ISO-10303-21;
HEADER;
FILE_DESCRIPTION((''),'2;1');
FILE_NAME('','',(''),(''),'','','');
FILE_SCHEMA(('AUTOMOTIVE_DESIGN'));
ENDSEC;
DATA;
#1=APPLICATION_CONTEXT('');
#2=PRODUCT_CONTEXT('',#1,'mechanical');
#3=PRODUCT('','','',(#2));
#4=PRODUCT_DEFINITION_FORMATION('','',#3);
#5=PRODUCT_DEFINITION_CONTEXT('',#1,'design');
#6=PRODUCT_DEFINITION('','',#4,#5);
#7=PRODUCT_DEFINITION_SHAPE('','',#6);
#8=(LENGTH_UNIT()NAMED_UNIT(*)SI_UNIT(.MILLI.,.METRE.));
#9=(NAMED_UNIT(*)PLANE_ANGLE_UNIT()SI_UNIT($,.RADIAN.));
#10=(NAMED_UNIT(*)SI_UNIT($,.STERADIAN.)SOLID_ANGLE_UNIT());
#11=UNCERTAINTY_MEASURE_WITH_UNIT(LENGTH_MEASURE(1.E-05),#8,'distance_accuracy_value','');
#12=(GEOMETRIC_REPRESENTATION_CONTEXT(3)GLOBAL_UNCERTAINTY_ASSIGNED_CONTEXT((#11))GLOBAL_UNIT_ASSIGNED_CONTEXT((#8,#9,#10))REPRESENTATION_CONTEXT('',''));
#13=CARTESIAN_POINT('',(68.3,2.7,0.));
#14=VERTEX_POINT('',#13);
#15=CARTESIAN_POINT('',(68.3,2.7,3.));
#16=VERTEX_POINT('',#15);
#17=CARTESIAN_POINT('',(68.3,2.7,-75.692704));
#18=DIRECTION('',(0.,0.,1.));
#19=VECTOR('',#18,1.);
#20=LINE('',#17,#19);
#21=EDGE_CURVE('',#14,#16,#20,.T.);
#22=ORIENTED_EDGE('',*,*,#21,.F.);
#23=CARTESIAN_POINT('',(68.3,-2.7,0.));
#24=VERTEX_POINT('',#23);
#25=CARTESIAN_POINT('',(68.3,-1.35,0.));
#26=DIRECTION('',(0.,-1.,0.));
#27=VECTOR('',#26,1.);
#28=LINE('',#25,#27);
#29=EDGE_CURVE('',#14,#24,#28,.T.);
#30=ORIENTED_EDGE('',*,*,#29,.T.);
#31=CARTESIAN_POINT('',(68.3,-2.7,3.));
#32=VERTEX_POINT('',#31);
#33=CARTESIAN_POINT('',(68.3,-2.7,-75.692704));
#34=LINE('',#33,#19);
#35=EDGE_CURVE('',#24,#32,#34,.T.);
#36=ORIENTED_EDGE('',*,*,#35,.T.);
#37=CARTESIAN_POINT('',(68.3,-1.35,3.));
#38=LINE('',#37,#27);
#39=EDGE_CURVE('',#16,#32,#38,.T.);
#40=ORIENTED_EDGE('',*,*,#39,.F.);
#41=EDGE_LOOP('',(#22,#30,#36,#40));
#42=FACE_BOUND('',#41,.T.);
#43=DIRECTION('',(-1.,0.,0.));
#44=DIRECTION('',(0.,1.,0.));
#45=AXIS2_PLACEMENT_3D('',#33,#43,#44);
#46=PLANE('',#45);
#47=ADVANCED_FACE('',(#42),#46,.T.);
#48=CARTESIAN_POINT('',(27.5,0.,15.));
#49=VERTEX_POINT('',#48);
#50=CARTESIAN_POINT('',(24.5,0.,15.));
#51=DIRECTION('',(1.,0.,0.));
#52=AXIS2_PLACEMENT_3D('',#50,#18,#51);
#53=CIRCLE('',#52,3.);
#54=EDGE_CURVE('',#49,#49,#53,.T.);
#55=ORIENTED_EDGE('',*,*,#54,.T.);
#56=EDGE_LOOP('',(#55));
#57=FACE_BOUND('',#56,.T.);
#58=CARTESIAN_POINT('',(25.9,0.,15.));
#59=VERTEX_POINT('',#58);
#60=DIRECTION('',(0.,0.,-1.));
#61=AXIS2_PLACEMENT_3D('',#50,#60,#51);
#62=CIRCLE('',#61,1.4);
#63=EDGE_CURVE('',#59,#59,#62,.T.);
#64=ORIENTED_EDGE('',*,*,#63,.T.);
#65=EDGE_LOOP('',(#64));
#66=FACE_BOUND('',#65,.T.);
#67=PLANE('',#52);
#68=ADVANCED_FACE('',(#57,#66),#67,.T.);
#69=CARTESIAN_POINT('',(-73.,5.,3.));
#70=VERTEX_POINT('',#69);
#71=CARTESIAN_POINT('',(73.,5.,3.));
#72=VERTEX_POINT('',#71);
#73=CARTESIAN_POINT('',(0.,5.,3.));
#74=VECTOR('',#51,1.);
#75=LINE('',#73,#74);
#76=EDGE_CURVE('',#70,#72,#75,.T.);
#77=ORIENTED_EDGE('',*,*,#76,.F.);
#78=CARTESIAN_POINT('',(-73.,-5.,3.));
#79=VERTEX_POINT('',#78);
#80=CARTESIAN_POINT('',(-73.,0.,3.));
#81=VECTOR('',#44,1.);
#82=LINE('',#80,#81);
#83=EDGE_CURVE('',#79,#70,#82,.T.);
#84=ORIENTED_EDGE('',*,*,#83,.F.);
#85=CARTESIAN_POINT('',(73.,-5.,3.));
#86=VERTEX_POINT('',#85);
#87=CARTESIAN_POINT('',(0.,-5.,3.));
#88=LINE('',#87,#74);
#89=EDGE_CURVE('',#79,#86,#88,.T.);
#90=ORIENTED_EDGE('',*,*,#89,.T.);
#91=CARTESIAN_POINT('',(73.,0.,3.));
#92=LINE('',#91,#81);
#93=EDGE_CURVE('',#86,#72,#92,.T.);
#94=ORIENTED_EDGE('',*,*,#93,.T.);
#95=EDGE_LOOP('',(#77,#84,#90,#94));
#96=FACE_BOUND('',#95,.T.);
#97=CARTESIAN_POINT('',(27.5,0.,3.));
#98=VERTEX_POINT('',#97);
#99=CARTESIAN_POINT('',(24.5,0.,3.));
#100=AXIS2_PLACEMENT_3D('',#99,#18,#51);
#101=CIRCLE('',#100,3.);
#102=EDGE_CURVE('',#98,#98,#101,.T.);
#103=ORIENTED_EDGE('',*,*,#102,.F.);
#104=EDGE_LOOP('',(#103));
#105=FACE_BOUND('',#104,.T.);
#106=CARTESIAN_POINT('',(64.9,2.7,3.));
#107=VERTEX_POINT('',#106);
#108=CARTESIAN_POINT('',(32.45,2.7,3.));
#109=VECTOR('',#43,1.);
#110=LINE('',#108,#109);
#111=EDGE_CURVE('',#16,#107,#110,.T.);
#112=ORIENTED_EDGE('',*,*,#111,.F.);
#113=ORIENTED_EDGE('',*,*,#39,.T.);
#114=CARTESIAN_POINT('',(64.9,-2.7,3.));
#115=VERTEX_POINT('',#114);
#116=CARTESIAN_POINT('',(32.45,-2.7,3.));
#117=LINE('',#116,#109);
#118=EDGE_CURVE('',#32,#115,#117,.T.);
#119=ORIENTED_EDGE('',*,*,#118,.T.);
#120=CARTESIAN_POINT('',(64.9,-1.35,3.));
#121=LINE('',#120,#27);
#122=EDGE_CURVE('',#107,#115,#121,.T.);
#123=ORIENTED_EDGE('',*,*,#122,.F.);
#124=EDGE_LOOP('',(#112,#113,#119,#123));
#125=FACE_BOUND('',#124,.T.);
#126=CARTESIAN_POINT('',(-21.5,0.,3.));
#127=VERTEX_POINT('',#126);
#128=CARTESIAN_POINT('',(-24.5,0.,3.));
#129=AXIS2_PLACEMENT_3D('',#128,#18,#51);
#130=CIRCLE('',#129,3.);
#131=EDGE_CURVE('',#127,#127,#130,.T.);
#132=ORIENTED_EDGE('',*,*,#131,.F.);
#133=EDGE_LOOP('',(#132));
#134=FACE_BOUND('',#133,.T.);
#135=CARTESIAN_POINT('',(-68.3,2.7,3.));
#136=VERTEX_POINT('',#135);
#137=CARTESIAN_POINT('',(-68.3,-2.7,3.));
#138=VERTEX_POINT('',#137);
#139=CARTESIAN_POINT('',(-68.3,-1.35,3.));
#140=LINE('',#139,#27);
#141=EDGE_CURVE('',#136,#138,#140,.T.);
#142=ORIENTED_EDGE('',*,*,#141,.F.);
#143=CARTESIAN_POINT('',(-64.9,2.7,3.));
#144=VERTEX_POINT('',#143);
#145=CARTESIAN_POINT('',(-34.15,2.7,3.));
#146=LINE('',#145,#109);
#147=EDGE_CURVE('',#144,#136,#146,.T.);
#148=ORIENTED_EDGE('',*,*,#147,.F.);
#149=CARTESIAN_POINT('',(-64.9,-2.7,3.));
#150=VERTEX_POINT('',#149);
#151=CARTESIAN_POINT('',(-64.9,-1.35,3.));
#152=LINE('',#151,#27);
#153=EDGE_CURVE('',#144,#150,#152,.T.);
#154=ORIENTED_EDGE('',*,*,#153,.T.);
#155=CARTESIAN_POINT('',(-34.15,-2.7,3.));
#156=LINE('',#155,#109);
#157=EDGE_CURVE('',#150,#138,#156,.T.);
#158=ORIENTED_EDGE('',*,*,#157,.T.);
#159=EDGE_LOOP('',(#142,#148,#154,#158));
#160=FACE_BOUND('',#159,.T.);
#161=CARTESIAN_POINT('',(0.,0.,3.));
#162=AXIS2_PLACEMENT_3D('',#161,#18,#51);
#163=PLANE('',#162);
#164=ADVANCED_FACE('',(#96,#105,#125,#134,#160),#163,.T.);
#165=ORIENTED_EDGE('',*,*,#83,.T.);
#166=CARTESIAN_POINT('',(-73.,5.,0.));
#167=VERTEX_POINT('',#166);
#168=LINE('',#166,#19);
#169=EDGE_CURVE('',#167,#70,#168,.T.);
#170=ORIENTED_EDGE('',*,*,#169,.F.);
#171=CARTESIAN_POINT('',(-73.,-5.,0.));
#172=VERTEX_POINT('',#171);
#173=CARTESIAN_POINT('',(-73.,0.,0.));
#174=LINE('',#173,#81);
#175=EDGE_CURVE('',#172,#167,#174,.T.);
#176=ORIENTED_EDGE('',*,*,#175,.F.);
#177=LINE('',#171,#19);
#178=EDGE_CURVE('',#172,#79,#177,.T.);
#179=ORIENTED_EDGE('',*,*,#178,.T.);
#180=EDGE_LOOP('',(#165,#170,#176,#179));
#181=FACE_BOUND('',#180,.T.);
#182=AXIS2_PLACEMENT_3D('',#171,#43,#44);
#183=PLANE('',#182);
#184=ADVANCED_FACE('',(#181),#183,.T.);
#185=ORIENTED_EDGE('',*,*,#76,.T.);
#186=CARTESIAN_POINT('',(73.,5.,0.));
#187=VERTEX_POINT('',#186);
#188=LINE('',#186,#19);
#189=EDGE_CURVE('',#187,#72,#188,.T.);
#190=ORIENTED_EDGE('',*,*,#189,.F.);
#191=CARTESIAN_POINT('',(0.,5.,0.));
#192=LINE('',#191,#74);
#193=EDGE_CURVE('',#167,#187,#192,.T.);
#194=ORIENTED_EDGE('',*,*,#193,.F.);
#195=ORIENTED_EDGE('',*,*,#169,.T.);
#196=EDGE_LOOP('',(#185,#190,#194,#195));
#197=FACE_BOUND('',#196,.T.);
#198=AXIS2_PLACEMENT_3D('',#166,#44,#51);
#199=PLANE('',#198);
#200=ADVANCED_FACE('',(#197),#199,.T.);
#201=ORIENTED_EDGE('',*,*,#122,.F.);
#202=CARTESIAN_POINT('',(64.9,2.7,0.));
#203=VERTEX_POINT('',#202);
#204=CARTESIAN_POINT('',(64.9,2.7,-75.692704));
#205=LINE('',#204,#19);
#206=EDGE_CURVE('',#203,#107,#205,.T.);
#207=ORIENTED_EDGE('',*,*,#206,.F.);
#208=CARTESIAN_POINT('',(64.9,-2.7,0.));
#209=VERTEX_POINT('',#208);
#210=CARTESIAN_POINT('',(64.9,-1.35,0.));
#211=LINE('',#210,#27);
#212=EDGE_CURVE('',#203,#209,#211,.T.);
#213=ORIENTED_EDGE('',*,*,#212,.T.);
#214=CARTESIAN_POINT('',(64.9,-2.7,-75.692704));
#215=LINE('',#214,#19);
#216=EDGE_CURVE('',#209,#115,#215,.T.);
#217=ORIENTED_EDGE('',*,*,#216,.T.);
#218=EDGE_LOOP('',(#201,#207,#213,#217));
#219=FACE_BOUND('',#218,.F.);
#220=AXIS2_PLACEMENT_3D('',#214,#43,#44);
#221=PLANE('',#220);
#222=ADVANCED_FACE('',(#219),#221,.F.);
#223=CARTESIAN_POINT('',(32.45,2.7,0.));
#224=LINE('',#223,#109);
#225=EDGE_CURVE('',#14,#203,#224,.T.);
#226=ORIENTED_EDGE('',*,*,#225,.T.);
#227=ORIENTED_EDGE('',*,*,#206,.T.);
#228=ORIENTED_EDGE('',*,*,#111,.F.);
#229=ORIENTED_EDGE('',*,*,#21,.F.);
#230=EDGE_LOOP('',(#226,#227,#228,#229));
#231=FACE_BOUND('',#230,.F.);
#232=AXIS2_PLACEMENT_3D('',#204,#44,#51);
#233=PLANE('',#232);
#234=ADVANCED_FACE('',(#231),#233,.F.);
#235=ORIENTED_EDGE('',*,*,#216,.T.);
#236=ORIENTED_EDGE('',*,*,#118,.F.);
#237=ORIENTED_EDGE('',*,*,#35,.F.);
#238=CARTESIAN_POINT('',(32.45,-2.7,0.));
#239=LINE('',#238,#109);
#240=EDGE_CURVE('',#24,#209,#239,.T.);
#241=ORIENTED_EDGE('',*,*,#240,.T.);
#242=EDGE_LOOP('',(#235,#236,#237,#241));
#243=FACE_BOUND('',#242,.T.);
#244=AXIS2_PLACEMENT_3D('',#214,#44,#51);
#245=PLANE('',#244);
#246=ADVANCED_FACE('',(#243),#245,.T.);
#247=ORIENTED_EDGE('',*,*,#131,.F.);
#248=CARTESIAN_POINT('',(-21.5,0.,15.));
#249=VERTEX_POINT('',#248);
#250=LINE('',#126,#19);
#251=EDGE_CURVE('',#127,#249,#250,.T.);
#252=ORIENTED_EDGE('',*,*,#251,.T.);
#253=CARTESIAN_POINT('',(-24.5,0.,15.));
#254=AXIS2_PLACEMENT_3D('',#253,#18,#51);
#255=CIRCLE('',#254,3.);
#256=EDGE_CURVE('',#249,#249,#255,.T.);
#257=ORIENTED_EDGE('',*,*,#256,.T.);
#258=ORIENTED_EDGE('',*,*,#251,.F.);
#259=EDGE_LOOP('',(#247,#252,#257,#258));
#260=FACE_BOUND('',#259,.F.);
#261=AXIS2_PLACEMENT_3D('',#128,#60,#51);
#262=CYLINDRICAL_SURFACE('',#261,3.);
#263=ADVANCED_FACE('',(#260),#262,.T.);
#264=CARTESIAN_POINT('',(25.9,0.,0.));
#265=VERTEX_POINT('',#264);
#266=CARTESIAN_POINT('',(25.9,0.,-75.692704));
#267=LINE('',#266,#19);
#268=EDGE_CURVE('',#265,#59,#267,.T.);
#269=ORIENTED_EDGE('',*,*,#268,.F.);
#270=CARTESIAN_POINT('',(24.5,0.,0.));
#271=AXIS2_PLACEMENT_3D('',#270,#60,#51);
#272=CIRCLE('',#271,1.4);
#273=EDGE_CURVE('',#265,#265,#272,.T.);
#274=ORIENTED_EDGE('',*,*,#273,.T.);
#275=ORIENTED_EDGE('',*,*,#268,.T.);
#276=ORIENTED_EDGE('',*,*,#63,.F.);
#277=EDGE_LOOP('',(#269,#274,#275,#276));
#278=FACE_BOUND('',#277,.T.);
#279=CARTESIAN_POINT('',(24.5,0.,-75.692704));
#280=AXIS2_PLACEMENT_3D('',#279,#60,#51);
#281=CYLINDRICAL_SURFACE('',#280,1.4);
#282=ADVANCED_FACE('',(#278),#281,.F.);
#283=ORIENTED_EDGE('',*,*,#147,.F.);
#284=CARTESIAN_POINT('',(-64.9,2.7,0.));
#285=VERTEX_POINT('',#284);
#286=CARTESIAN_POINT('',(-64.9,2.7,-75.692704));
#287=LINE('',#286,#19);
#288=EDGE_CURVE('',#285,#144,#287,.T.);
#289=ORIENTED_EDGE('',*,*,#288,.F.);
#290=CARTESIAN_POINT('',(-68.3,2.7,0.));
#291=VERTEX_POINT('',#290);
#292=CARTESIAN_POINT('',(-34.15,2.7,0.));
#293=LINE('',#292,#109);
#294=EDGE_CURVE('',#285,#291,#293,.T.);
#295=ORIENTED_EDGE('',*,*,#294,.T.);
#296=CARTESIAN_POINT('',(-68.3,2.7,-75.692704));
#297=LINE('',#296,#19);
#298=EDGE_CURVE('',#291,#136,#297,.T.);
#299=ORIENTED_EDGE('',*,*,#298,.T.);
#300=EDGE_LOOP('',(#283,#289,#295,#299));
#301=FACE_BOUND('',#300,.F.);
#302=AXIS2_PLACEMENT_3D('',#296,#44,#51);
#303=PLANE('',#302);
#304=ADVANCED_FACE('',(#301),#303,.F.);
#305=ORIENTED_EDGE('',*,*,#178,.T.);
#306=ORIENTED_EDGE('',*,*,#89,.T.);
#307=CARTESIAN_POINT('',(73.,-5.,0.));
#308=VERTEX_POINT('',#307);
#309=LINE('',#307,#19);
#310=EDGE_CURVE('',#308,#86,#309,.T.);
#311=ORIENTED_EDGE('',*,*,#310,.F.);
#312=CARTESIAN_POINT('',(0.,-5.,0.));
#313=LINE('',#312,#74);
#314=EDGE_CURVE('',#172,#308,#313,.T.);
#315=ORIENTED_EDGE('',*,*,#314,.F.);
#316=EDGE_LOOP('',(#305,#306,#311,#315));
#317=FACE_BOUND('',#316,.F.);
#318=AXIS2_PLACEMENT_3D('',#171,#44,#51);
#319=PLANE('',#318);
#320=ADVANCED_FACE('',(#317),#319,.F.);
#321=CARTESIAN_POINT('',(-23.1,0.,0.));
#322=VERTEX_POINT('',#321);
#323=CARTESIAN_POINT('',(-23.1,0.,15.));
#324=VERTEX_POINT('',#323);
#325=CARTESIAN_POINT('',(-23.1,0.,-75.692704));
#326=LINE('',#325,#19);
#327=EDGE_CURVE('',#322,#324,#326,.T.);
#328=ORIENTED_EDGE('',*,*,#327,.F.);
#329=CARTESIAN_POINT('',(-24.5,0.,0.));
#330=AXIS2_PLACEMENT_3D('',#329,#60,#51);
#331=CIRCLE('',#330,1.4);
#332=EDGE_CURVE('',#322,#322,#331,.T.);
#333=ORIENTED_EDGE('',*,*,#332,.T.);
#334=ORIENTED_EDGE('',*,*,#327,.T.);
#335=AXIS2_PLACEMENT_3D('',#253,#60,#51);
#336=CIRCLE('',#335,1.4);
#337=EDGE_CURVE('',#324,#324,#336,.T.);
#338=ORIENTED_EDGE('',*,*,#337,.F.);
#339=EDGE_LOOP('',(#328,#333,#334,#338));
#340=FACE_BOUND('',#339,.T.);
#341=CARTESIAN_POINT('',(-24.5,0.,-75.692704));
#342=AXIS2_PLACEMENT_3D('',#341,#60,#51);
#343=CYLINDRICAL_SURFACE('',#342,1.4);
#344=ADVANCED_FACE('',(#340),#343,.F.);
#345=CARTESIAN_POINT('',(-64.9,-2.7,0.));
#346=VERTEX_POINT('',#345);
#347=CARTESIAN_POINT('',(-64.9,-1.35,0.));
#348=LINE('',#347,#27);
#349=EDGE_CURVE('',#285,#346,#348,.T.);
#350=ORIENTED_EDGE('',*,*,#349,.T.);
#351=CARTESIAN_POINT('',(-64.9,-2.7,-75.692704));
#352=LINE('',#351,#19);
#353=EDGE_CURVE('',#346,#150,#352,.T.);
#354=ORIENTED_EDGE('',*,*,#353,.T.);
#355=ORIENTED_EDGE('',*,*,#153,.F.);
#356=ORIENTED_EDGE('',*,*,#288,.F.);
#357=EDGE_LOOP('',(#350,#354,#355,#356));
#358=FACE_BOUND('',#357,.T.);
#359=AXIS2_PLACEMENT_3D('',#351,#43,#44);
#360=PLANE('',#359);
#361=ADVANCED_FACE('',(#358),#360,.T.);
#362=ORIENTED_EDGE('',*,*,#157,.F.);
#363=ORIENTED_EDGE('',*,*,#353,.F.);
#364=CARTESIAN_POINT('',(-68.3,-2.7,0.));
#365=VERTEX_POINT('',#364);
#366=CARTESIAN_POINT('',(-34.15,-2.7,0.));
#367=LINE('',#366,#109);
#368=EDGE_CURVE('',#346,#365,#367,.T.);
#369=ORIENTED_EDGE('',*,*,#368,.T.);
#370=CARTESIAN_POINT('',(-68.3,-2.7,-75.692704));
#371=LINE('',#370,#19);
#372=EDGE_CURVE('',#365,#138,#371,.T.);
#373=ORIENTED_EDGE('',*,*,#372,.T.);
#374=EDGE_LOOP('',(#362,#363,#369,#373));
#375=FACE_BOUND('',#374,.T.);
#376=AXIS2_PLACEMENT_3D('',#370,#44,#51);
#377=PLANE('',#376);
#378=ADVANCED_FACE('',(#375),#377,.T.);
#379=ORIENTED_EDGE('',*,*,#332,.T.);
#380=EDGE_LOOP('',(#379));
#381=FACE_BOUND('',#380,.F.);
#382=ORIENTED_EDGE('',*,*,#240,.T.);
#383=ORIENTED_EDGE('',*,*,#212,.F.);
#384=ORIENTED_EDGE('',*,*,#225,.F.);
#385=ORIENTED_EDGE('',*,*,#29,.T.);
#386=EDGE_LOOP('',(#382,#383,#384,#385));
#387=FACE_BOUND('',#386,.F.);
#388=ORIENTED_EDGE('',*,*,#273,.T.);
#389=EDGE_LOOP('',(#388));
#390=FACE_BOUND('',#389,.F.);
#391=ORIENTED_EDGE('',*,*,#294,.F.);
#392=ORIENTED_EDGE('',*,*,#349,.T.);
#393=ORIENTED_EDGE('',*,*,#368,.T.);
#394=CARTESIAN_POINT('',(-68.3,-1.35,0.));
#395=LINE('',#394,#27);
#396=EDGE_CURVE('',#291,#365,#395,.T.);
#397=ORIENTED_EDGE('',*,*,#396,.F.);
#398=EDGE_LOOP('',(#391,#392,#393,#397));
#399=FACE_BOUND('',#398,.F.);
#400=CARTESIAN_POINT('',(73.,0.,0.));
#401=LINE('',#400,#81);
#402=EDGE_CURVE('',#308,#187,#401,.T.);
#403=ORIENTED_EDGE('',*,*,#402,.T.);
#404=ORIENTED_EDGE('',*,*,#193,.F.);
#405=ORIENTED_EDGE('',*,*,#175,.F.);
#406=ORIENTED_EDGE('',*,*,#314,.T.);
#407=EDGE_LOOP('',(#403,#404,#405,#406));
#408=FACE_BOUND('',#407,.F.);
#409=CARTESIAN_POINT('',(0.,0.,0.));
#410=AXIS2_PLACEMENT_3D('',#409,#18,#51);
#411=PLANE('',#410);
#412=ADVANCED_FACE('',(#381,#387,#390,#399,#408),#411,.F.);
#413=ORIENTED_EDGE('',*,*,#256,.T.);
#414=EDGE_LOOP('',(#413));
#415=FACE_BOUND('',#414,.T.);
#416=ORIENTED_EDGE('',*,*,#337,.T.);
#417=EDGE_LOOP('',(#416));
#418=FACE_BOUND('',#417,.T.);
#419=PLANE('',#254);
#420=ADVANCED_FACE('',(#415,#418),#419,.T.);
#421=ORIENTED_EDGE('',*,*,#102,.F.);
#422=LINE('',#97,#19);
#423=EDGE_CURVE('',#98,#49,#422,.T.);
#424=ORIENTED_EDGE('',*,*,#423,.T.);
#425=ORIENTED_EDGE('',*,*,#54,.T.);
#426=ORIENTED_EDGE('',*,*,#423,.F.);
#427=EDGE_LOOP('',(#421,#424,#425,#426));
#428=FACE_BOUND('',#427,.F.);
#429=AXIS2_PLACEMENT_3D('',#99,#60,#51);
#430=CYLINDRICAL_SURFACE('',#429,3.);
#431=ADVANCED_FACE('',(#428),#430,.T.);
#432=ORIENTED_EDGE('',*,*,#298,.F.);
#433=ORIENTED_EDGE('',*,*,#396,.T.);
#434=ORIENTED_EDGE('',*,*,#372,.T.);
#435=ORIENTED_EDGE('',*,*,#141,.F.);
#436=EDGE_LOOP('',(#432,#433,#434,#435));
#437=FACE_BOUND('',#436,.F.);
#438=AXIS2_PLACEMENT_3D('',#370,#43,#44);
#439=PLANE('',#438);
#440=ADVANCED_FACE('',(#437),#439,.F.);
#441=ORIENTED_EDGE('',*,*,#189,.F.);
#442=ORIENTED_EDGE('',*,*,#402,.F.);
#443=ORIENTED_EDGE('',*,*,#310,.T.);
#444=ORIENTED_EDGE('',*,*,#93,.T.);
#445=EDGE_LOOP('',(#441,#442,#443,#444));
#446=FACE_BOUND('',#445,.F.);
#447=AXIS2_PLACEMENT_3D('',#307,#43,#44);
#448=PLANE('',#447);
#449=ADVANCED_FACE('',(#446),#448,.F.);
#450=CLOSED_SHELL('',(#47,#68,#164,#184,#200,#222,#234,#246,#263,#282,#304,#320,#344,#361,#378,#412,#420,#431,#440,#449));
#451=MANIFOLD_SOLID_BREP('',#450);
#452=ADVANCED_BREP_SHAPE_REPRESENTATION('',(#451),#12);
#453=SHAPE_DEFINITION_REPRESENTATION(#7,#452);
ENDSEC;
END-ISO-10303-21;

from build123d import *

# Parameters (mm, degrees)
SKETCH_1_W                = 146
SKETCH_1_H                = 10
EXTRUDE_146X10_DEPTH      = 3
F_12MM_START              = 3
SKETCH_2_R                = 3
F_12MM_DEPTH              = 12
M2P5_DEPTH                = 75.692703794
M2P5_DEPTH_BACK           = 75.692703794
SKETCH_3_R                = 1.4
CUT_EXTRUDE_M3_DEPTH      = 75.692703794
CUT_EXTRUDE_M3_DEPTH_BACK = 75.692703794
SKETCH_4_W                = 3.4
SKETCH_4_H                = 5.4


with BuildPart() as part:
    # 草图1 → 主板轻量横条146x10 (new body)
    with BuildSketch(Plane.XY):
        Rectangle(SKETCH_1_W, SKETCH_1_H)
    extrude(amount=EXTRUDE_146X10_DEPTH)

    # 草图2 → 主板12mm支柱 (add)
    with BuildSketch(Plane.XY.offset(F_12MM_START)):
        with Locations((-24.5, 0)):
            Circle(SKETCH_2_R)
        with Locations((24.5, 0)):
            Circle(SKETCH_2_R)
    extrude(amount=F_12MM_DEPTH)

    # 草图3 → 主板M2p5通孔 (cut, two sides: drawn at the far end of the back side and taken through both)
    with BuildSketch(Plane.XY.offset(-M2P5_DEPTH_BACK)):
        with Locations((-24.5, 0)):
            Circle(SKETCH_3_R)
        with Locations((24.5, 0)):
            Circle(SKETCH_3_R)
    extrude(amount=M2P5_DEPTH + M2P5_DEPTH_BACK, mode=Mode.SUBTRACT)

    # 草图4 → 梁上M3调节槽 (cut, two sides: drawn at the far end of the back side and taken through both)
    with BuildSketch(Plane.XY.offset(-CUT_EXTRUDE_M3_DEPTH_BACK)):
        with Locations((-66.6, 0)):
            Rectangle(SKETCH_4_W, SKETCH_4_H)
        with Locations((66.6, 0)):
            Rectangle(SKETCH_4_W, SKETCH_4_H)
    extrude(amount=CUT_EXTRUDE_M3_DEPTH + CUT_EXTRUDE_M3_DEPTH_BACK, mode=Mode.SUBTRACT)


solid = part.part
